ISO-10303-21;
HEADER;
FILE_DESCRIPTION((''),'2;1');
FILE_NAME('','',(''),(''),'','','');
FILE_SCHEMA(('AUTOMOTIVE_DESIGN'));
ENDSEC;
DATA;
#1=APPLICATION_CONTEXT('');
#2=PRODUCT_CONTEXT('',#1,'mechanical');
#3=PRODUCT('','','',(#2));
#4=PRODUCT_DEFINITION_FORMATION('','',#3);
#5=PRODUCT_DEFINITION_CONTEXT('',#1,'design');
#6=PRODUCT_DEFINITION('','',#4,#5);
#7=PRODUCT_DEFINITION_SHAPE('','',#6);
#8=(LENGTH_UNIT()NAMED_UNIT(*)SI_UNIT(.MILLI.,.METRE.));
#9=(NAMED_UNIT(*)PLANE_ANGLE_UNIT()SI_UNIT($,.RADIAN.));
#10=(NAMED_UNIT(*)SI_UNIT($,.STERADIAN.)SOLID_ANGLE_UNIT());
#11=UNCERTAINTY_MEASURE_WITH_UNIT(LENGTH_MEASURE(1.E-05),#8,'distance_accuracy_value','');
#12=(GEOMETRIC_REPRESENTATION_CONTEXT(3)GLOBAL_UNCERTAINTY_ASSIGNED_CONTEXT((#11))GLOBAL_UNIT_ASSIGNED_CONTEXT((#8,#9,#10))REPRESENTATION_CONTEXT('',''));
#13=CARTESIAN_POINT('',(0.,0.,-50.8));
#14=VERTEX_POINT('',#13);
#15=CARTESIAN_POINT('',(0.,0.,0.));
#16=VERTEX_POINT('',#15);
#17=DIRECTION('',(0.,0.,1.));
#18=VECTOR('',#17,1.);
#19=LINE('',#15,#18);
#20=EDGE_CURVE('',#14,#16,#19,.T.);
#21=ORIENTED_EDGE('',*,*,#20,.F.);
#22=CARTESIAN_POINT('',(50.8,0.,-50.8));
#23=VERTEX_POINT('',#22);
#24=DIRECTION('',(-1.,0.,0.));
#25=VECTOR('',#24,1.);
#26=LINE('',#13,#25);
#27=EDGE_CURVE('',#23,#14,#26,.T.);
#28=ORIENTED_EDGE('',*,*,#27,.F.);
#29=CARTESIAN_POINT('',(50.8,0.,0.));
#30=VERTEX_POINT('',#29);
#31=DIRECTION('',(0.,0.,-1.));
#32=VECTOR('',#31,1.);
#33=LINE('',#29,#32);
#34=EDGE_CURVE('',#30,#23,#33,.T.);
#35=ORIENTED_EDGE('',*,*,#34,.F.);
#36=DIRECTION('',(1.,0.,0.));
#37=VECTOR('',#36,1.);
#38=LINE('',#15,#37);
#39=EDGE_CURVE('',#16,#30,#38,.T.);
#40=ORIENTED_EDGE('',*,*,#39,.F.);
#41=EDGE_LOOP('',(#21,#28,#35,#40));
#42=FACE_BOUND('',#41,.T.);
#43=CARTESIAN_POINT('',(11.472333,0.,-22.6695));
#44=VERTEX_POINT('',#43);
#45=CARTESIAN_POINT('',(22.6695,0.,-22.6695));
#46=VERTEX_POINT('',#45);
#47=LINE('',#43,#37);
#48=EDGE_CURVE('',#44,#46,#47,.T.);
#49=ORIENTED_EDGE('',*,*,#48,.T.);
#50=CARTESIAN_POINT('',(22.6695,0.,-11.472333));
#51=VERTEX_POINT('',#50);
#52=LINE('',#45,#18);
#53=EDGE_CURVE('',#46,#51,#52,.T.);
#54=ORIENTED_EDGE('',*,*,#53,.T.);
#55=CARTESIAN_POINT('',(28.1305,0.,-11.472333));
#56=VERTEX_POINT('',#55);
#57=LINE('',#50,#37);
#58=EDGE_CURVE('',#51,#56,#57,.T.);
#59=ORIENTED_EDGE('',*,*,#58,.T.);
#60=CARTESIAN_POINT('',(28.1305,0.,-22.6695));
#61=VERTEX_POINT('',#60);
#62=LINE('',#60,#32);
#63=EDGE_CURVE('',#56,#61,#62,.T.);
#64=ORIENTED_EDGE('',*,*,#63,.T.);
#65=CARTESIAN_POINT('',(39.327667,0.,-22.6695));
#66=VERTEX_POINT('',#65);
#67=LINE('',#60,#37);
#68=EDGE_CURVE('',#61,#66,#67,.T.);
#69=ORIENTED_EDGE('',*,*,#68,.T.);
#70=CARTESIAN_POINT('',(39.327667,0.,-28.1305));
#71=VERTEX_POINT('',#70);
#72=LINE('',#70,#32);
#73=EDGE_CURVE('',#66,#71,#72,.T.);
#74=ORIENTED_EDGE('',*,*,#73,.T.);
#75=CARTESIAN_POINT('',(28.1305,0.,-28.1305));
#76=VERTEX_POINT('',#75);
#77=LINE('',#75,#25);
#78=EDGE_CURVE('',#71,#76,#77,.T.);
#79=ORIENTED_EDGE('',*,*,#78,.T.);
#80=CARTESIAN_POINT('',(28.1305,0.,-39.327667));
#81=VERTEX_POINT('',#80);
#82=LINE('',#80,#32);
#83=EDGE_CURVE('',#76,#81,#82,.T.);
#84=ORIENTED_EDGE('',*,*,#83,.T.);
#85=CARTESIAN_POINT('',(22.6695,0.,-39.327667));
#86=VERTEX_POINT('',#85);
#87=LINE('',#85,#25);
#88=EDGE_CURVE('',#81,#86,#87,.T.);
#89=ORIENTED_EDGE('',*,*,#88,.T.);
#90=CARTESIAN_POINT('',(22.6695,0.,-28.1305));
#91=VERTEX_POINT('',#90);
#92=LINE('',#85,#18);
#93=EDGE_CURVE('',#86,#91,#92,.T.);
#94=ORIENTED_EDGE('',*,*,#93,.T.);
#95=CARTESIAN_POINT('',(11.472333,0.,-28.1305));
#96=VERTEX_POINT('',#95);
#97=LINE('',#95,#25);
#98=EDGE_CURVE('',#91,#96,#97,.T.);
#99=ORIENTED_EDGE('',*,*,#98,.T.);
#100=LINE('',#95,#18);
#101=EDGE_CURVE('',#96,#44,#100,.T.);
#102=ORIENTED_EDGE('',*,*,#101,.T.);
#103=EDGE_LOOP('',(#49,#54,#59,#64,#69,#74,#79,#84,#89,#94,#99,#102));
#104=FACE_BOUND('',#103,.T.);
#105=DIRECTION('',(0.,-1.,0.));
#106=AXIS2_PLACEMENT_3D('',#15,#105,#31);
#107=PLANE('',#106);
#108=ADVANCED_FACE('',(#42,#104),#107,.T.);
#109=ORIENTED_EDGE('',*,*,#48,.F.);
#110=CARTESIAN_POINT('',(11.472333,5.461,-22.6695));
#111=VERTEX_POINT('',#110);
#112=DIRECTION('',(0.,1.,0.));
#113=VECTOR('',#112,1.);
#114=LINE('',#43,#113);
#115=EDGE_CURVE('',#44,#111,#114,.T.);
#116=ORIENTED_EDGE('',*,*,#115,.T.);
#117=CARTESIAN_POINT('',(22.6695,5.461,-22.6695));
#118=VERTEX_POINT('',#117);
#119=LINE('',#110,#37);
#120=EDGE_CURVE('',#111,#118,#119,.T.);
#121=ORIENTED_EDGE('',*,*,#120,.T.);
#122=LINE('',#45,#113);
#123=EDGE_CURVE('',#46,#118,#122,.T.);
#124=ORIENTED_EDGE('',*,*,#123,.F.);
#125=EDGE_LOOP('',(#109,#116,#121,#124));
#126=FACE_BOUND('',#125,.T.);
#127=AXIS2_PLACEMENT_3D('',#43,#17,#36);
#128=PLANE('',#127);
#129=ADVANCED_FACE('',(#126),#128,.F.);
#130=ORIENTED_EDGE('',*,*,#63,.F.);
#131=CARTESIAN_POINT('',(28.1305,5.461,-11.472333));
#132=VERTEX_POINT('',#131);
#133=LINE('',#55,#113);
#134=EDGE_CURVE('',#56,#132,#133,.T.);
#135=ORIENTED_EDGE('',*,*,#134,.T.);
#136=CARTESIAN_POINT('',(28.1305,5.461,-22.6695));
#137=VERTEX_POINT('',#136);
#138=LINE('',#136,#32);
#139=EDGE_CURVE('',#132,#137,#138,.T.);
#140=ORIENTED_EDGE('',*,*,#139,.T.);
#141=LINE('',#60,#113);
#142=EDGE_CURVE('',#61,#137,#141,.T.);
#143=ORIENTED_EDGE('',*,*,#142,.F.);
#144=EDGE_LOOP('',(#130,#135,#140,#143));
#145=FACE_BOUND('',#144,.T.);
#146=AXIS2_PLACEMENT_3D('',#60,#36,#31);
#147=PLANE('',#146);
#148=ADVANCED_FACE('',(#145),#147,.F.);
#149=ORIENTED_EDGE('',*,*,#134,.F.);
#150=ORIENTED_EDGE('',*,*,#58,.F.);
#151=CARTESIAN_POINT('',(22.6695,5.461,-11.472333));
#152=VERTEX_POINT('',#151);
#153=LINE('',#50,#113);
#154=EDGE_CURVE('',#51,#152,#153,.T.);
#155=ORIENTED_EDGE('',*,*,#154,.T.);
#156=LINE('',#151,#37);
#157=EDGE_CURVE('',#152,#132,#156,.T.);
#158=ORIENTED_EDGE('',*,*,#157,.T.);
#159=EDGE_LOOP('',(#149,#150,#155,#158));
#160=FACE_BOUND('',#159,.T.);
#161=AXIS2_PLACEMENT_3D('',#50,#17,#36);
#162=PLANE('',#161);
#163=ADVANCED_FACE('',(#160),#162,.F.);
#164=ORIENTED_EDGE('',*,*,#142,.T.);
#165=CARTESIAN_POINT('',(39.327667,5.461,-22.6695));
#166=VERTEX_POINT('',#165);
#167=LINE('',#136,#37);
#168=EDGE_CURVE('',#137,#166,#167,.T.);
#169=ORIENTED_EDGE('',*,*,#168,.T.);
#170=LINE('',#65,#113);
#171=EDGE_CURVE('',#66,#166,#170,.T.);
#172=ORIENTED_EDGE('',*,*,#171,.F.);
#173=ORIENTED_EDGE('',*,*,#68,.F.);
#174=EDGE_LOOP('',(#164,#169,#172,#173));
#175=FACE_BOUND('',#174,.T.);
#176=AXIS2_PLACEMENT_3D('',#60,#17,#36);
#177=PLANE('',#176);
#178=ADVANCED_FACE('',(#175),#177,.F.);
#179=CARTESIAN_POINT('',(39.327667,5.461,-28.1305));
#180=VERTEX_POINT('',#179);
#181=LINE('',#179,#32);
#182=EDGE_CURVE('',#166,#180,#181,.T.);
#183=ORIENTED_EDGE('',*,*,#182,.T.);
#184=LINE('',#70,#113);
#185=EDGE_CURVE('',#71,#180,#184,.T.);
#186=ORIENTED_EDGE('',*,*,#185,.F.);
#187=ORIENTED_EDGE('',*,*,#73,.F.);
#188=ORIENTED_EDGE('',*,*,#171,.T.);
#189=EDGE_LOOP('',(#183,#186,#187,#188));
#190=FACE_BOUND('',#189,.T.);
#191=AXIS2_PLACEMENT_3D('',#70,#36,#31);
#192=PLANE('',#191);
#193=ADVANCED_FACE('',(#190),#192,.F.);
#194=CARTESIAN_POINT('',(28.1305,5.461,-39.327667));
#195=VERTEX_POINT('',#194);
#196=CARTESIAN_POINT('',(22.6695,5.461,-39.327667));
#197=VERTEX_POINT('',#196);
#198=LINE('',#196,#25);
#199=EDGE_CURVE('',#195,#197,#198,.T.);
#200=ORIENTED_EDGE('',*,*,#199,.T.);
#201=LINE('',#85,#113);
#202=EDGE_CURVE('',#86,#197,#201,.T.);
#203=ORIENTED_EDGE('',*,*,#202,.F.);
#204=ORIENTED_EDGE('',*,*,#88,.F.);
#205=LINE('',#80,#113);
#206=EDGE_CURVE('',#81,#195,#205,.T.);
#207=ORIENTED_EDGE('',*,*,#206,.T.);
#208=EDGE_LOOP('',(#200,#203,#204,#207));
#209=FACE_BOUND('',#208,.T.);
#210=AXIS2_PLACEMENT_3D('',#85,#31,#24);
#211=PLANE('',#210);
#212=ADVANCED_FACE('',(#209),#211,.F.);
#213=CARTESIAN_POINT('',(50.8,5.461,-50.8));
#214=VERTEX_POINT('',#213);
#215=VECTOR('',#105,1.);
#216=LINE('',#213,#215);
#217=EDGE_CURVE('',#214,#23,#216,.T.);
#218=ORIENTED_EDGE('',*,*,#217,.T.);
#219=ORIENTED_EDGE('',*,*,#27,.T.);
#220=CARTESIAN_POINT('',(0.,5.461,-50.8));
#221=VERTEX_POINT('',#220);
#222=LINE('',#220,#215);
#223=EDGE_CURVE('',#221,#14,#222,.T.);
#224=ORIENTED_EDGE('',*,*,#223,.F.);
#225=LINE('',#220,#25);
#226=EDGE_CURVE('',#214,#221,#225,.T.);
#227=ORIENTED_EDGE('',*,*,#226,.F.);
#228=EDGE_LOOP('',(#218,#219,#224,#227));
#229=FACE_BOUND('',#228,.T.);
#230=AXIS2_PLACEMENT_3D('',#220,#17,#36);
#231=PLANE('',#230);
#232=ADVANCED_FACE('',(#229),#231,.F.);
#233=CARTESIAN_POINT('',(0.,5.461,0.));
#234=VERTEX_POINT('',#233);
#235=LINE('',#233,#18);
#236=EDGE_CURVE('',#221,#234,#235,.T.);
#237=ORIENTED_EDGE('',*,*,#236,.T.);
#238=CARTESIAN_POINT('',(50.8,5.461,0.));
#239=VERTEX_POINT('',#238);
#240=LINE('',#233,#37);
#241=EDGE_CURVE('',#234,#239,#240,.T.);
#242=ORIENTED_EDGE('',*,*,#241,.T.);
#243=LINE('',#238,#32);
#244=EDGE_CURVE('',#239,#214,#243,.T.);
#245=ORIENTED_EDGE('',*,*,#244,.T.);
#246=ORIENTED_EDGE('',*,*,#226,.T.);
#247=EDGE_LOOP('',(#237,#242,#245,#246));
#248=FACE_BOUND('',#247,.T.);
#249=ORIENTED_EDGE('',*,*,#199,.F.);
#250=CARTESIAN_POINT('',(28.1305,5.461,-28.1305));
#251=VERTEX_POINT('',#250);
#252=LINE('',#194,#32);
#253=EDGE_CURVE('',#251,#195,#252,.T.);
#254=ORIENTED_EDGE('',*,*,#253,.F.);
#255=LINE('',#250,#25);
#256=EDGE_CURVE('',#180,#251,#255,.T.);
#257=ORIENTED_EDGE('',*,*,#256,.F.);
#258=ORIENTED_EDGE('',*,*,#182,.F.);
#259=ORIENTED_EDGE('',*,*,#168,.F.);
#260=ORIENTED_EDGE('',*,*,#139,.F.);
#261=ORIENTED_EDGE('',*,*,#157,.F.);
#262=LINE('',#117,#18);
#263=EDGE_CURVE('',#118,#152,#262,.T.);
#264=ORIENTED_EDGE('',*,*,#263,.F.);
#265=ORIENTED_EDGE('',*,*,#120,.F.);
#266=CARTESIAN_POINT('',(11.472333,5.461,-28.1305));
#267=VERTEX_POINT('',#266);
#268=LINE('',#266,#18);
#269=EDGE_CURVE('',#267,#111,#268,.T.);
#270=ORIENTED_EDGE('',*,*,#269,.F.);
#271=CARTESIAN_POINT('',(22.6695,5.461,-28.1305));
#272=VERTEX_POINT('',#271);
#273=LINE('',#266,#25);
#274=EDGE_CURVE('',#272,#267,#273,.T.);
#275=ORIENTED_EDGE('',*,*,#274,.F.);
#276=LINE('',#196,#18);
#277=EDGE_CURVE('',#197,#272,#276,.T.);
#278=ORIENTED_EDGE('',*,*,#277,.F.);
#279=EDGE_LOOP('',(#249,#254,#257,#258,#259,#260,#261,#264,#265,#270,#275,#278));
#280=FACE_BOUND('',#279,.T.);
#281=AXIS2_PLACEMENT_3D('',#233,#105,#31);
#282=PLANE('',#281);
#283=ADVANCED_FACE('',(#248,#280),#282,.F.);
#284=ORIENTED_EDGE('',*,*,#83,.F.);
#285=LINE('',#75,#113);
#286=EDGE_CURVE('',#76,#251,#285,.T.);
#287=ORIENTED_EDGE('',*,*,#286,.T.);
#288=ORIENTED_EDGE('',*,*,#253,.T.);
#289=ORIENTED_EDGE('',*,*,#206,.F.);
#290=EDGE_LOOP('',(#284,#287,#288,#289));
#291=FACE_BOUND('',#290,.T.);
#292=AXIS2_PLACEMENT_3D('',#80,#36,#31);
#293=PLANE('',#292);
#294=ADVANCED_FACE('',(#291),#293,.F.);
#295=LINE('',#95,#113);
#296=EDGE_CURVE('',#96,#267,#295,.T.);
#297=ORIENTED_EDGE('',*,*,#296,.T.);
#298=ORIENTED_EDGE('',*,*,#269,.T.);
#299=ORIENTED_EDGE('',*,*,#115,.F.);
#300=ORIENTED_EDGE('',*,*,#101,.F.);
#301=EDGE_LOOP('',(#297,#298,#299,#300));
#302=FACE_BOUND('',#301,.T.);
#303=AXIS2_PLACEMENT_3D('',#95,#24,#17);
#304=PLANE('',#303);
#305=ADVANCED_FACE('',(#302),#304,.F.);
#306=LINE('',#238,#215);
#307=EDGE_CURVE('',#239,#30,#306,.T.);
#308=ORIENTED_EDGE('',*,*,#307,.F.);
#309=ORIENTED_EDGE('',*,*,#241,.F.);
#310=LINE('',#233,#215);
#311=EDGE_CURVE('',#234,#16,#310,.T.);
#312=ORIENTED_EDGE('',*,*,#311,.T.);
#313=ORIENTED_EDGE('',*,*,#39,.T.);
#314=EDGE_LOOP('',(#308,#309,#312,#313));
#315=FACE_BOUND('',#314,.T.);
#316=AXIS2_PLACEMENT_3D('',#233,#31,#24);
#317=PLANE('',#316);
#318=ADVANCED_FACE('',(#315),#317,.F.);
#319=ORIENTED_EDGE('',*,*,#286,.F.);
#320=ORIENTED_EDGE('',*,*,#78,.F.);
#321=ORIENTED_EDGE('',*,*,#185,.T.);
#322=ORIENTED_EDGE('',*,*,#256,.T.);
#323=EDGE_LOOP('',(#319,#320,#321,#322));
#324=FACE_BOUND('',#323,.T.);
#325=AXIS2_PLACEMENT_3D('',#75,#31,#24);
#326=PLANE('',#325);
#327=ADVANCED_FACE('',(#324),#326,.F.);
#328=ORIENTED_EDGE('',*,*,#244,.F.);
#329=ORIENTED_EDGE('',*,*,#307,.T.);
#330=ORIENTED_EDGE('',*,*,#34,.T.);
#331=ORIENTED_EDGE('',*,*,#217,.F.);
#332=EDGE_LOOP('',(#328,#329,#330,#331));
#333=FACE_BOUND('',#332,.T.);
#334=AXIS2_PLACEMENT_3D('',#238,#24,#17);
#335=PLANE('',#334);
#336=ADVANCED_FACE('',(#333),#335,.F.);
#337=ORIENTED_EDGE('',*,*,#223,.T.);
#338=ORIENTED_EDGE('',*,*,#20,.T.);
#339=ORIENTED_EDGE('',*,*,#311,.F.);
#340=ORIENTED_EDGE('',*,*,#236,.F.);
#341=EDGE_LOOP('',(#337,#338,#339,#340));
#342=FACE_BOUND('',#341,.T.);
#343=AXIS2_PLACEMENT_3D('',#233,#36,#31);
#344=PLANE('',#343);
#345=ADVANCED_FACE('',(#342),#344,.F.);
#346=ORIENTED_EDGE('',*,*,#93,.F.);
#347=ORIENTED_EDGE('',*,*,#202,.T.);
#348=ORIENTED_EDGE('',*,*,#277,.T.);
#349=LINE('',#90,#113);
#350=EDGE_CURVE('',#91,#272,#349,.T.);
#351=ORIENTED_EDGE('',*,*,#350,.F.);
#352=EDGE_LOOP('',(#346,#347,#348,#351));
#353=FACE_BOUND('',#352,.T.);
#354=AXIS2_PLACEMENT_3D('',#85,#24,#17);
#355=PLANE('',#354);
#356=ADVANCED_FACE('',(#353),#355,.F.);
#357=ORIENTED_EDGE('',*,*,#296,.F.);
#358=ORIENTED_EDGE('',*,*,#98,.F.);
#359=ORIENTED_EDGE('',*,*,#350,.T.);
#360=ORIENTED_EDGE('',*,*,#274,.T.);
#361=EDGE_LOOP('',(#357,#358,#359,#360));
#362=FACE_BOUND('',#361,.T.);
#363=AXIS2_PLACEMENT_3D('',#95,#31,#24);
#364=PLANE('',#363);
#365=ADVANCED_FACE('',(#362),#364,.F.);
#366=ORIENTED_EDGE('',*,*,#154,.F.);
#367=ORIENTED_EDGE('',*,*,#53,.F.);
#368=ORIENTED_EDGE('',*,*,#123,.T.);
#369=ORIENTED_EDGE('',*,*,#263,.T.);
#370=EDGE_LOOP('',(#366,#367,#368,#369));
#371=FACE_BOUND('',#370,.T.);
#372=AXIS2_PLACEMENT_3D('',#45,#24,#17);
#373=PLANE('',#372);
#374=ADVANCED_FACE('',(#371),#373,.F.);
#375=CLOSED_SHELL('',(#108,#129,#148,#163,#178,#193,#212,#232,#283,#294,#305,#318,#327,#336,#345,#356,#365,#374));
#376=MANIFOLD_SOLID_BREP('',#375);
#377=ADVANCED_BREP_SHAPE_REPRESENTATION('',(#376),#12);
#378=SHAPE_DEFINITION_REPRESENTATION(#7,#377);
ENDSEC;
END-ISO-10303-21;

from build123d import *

# Parameters (mm, degrees)
SKETCH1_W           = 50.8
SKETCH1_H           = 50.8
BOSS_EXTRUDE1_DEPTH = 5.461
CUT_EXTRUDE1_DEPTH  = 5.461


with BuildPart() as part:
    # Sketch1 → Boss-Extrude1 (new body)
    with BuildSketch(Plane(origin=(0, 0, 0), x_dir=(1, 0, 0), z_dir=(0, 1, 0))):
        with Locations((25.4, 25.4)):
            Rectangle(SKETCH1_W, SKETCH1_H)
    extrude(amount=BOSS_EXTRUDE1_DEPTH)

    # Sketch2 → Cut-Extrude1 (cut)
    with BuildSketch(Plane(origin=(0, 5.461, 0), x_dir=(1, 0, 0), z_dir=(0, 1, 0))):
        Polygon((28.1305, 28.1305), (39.327666667, 28.1305), (39.327666667, 22.6695), (28.1305, 22.6695), (28.1305, 11.472333333), (22.6695, 11.472333333), (22.6695, 22.6695), (11.472333333, 22.6695), (11.472333333, 28.1305), (22.6695, 28.1305), (22.6695, 39.327666667), (28.1305, 39.327666667), align=None)
    extrude(amount=-CUT_EXTRUDE1_DEPTH, mode=Mode.SUBTRACT)


solid = part.part
